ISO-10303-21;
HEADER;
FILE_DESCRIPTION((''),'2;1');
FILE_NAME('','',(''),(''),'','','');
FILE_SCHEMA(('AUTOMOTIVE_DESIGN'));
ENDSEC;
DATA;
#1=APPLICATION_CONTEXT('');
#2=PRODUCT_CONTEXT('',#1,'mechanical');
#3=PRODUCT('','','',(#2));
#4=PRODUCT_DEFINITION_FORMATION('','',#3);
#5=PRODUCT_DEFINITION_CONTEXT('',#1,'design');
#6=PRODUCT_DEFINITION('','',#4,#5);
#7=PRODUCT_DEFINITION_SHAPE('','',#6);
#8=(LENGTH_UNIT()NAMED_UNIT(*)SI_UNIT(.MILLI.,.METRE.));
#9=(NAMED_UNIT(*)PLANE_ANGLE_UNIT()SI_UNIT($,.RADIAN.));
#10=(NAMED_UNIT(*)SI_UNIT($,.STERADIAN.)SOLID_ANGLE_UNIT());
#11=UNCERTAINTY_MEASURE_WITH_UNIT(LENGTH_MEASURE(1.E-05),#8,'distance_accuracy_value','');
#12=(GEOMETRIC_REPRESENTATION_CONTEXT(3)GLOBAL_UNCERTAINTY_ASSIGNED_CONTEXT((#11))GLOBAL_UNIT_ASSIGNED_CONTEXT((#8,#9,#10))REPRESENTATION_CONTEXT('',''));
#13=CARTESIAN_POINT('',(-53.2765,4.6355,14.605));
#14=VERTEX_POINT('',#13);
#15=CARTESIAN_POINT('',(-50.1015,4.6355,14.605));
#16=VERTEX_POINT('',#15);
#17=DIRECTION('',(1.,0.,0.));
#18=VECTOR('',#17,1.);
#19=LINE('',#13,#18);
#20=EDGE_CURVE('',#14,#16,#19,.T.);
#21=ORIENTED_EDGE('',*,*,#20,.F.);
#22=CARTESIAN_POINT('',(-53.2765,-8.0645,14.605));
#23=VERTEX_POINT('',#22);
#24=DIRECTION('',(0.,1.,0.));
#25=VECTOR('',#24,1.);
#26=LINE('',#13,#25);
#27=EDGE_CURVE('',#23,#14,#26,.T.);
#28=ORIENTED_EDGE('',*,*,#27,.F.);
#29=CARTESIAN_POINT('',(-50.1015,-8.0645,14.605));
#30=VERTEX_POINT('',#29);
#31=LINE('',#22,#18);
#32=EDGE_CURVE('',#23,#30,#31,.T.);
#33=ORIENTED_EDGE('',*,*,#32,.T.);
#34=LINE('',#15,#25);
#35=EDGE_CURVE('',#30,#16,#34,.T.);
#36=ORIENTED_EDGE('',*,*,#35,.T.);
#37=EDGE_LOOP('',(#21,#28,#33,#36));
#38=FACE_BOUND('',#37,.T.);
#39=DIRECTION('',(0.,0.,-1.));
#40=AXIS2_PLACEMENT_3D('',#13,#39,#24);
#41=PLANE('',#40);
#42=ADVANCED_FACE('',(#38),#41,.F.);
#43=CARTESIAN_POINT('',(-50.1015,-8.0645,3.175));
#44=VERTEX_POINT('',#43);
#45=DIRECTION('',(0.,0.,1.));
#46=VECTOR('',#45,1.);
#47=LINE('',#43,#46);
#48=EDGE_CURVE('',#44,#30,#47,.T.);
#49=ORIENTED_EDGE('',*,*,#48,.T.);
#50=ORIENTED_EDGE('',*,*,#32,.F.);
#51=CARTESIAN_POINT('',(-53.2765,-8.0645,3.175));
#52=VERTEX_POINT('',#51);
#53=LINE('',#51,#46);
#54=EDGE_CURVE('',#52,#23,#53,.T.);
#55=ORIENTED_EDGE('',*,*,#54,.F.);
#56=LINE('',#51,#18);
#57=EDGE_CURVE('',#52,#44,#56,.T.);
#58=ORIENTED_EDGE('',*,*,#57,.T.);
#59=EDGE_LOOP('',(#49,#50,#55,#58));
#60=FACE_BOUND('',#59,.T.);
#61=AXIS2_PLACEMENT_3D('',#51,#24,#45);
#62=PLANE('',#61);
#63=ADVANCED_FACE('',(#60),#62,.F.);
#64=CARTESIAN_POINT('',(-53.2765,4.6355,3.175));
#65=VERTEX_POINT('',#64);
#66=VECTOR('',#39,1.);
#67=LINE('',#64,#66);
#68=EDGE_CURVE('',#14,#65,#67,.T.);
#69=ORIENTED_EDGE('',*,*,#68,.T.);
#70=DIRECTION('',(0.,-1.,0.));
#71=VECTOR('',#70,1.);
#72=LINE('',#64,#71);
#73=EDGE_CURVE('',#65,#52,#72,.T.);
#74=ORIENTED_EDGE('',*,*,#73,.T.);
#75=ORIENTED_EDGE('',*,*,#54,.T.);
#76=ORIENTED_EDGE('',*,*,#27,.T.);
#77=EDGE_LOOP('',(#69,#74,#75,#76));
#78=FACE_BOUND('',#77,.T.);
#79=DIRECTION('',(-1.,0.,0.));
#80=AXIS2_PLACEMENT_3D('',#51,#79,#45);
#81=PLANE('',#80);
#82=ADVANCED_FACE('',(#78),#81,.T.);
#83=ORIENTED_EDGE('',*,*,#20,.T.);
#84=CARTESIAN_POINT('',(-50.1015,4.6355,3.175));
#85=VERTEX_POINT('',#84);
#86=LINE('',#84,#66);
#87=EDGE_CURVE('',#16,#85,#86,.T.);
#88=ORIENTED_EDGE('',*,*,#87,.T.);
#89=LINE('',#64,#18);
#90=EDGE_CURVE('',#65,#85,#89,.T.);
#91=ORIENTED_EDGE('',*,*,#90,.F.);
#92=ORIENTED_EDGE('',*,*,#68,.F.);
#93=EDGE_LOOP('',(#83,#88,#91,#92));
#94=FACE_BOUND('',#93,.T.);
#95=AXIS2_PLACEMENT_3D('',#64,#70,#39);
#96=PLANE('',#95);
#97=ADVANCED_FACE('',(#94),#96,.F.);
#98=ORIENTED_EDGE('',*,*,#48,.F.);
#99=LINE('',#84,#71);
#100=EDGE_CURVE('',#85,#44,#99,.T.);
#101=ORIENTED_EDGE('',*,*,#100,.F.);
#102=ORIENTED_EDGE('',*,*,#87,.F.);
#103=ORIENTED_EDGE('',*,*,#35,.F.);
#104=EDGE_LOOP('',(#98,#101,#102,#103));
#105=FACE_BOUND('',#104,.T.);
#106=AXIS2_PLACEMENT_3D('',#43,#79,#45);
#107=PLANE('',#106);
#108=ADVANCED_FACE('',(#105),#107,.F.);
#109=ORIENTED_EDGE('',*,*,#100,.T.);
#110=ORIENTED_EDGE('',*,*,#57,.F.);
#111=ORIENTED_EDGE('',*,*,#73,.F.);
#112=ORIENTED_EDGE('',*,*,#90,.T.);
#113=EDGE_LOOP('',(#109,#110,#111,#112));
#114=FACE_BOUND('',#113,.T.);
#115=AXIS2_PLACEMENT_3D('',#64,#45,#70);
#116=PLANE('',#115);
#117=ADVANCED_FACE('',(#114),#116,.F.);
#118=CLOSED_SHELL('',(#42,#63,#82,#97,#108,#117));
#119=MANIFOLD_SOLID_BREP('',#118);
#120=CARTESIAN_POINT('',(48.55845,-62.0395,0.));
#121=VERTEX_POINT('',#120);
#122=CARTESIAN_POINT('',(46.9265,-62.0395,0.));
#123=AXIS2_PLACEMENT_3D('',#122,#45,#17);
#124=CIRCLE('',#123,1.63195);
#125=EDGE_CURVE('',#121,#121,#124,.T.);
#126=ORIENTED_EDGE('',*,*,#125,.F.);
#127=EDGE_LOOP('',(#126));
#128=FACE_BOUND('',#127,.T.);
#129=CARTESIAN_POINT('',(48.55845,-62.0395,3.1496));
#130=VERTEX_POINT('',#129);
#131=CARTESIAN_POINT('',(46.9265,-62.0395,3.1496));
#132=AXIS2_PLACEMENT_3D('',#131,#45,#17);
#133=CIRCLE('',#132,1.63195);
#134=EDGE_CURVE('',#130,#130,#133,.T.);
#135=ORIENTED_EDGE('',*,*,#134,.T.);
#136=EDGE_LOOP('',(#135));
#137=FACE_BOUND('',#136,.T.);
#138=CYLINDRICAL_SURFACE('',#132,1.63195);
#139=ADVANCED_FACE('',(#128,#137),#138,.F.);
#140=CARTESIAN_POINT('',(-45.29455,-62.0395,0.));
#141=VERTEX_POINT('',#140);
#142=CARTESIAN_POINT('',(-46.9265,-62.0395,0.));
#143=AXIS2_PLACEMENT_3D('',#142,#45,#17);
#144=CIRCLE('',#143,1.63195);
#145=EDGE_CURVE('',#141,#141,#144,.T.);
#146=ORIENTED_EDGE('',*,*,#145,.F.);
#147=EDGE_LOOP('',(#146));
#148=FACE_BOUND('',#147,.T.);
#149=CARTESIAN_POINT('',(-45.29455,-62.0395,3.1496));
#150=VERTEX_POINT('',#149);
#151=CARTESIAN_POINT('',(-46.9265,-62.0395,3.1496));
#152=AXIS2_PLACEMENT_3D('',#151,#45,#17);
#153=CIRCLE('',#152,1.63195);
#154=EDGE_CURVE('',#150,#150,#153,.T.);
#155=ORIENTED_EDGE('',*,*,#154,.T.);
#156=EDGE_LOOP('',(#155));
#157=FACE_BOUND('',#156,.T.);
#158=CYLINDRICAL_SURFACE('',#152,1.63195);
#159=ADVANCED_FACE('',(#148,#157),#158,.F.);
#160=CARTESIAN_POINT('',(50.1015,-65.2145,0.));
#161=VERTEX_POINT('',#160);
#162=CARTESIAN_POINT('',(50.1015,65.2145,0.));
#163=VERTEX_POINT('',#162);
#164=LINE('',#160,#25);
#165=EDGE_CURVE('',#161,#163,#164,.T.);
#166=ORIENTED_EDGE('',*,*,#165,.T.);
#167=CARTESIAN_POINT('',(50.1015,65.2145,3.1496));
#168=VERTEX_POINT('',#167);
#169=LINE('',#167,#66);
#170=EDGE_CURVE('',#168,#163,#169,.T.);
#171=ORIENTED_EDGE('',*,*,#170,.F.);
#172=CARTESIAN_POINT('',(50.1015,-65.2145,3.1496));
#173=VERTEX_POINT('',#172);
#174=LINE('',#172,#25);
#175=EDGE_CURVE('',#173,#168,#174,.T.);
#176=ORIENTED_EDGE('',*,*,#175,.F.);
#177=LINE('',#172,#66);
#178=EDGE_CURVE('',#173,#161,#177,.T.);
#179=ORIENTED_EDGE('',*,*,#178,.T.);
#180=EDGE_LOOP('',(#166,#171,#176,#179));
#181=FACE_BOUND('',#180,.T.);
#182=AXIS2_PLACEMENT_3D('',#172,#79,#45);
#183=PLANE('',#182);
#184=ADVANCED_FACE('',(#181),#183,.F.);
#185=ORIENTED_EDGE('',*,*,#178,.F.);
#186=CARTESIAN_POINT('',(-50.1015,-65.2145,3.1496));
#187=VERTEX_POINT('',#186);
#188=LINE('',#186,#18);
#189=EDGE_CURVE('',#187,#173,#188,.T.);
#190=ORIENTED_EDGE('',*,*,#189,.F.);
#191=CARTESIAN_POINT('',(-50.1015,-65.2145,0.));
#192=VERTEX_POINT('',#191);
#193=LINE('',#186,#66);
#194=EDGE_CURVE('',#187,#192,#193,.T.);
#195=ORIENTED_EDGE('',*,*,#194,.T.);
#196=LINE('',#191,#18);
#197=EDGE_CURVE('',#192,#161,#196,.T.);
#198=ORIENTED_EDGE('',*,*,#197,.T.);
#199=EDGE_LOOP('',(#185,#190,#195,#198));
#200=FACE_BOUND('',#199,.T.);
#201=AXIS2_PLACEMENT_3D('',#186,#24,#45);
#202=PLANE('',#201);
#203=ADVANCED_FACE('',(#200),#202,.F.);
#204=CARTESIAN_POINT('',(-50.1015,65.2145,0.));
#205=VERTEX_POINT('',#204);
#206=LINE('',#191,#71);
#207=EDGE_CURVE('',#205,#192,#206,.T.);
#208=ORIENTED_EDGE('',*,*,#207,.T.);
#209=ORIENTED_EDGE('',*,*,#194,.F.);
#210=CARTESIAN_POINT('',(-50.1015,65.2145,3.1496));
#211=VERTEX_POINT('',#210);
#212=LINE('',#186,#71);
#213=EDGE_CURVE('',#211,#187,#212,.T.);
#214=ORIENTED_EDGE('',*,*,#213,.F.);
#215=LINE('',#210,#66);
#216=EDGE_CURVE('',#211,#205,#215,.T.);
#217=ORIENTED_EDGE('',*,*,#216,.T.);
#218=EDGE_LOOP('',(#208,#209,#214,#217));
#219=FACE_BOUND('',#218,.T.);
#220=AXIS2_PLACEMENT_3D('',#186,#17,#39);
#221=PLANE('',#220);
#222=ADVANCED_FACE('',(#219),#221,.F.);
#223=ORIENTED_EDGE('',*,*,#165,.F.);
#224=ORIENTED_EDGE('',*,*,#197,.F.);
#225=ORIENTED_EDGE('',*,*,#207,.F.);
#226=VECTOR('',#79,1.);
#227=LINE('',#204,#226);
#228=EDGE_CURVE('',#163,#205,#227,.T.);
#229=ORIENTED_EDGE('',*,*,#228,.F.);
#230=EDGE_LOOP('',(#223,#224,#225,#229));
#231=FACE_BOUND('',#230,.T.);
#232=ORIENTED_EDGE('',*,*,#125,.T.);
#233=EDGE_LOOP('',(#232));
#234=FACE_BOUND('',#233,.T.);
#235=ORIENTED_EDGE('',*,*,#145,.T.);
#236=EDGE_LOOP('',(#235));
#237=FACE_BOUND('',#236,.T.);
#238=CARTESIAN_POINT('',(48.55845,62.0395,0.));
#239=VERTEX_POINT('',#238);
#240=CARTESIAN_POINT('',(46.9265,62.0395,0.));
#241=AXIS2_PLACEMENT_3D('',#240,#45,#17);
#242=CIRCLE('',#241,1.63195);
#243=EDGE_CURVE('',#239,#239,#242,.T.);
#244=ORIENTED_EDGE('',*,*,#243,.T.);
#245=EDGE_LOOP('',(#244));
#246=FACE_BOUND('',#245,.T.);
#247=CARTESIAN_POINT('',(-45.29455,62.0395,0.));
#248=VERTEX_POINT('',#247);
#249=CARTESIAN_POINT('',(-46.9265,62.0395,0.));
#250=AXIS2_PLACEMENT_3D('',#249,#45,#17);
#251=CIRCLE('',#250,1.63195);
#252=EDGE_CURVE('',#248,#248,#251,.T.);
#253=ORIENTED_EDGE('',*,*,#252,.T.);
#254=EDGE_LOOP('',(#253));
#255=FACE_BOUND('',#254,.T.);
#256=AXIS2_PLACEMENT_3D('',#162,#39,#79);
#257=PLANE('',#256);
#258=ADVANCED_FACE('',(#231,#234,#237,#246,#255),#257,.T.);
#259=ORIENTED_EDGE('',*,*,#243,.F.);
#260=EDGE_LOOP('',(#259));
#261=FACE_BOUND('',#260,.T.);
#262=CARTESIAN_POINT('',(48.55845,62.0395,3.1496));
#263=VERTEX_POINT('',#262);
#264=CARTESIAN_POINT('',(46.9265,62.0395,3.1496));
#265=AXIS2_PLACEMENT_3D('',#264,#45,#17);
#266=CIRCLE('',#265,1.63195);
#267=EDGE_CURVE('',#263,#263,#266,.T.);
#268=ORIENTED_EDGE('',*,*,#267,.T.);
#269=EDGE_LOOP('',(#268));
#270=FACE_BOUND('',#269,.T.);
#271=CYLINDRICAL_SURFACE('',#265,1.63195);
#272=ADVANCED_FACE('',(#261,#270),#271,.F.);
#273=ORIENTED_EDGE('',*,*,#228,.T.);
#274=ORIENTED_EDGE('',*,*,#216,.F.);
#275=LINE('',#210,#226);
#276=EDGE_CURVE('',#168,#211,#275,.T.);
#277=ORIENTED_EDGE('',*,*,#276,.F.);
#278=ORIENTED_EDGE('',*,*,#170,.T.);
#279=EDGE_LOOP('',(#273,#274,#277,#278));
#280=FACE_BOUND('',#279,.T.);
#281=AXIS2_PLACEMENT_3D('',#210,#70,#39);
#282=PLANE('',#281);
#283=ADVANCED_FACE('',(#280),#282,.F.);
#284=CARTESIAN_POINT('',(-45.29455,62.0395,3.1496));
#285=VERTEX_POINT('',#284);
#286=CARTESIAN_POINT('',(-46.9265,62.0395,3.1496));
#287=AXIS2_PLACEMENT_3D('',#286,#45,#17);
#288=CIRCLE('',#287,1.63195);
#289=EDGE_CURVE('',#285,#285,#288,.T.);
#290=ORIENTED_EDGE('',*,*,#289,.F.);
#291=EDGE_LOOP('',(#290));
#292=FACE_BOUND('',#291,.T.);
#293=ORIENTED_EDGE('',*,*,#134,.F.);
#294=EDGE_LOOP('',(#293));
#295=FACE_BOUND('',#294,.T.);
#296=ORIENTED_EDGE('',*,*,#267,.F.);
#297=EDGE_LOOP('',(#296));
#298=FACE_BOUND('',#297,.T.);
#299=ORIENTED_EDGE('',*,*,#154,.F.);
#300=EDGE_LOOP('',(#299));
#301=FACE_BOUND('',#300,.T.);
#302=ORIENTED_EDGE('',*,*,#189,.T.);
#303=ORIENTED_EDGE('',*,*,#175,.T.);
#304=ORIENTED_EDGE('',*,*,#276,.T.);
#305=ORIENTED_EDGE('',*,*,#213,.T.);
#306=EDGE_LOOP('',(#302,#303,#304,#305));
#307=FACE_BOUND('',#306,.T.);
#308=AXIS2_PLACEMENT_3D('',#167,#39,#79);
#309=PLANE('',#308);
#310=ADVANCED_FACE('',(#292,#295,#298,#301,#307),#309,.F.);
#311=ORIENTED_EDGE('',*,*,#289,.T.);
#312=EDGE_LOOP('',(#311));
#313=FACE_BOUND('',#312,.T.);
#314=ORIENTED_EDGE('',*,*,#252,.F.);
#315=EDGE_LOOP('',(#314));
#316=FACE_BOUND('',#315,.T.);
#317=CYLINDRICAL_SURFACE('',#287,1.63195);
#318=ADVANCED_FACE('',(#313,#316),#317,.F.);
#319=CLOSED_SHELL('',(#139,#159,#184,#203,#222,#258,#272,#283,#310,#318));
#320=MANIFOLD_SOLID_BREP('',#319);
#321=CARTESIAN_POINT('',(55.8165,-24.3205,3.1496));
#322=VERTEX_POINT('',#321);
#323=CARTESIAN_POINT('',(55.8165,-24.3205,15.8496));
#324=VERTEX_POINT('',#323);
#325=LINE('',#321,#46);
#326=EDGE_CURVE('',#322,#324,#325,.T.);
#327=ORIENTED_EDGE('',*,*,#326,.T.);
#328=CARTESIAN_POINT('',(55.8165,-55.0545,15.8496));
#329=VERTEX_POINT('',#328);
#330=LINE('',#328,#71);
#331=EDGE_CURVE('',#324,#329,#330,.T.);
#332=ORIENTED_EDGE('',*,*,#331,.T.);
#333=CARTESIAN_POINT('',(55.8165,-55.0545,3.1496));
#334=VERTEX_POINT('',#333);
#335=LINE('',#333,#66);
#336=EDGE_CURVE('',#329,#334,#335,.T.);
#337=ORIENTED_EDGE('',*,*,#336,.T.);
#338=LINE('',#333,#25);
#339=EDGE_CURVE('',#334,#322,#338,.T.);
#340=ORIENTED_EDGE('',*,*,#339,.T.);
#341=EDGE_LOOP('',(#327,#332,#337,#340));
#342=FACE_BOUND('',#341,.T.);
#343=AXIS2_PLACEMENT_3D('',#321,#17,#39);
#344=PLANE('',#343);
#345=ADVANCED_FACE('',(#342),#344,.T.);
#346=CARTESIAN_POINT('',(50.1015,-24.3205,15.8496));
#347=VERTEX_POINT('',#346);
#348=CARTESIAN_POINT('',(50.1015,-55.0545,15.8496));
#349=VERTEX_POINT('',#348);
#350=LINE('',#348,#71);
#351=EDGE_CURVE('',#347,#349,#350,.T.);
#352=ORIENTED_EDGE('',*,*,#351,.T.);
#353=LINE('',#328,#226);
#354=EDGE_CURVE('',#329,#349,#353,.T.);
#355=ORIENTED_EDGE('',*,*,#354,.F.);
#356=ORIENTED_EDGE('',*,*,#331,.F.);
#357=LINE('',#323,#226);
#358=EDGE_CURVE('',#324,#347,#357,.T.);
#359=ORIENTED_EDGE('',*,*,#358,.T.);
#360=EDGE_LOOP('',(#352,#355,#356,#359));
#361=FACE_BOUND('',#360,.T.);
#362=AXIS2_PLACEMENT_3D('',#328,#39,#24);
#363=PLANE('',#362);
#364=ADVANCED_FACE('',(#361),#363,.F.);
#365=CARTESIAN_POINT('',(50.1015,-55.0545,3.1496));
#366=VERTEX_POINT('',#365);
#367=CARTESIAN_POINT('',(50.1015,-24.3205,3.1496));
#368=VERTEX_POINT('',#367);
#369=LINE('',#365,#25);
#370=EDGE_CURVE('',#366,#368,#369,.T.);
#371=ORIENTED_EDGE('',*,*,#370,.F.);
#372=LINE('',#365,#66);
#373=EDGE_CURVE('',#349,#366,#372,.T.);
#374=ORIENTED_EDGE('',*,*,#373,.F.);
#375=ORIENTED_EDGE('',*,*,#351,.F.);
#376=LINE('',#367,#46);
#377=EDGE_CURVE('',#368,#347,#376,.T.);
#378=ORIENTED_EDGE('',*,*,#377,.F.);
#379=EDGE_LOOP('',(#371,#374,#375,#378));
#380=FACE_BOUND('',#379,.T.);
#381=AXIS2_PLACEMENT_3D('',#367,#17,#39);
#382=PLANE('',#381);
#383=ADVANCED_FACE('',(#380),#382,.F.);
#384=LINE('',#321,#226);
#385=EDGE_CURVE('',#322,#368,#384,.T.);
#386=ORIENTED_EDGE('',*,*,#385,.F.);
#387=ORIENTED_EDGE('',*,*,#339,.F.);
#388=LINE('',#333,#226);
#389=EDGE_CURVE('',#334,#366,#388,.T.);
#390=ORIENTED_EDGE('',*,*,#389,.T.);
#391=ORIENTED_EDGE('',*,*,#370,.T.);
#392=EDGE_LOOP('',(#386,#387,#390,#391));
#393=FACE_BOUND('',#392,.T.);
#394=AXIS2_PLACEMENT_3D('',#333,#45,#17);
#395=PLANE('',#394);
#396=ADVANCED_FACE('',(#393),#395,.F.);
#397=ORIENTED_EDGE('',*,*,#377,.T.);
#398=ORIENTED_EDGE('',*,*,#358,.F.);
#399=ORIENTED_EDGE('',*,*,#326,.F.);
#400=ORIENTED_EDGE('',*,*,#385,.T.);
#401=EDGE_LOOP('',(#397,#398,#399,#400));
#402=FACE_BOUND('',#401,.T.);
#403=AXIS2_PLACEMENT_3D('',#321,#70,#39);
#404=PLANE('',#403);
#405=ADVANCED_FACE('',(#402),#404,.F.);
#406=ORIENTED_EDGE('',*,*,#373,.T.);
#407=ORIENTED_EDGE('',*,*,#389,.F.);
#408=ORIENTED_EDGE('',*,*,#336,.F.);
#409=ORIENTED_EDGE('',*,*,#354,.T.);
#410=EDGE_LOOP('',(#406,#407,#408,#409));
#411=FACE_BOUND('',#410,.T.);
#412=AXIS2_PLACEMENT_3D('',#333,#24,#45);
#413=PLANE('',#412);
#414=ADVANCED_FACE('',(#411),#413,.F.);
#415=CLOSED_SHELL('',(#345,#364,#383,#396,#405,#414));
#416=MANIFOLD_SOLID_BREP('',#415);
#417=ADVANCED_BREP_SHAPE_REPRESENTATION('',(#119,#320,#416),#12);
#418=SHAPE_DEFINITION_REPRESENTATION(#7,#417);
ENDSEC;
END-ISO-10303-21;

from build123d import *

# Parameters (mm, degrees)
SKETCH1_W                      = 100.203
SKETCH1_H                      = 130.429
EXTRUDE1_DEPTH                 = 3.1496
SKETCH3_W                      = 11.43
SKETCH3_H                      = 12.7
EXTRUDE3_DEPTH                 = 3.175
SKETCH6_W                      = 12.7
SKETCH6_H                      = 30.734
EXTRUDE4_DEPTH                 = 5.715
SKETCH5_W                      = 1.63195
SKETCH5_H                      = 3.1496
F_4_CLEARANCE_HOLE1_AT_2_COUNT = 2
F_4_CLEARANCE_HOLE1_AT_2_PITCH = 124.079
MIRROR1_COPY_1_SKETCH_W        = 1.63195
MIRROR1_COPY_1_SKETCH_H        = 3.1496


with BuildPart() as part:
    # Sketch1 → Extrude1 (new body)
    with BuildSketch(Plane.XY):
        Rectangle(SKETCH1_W, SKETCH1_H)
    extrude(amount=EXTRUDE1_DEPTH)

    # Sketch5 → #4 Clearance Hole1 (revolve, cut)
    with BuildSketch(Plane(origin=(-46.9265, 62.0395, 3.1496), x_dir=(0, -1, 0), z_dir=(1, 0, 0))):
        with Locations((0.815975, 1.5748)):
            Rectangle(SKETCH5_W, SKETCH5_H)
    f_4_clearance_hole1 = revolve(axis=Axis((-46.9265, 62.0395, 9.4996), (0, 0, -1)), mode=Mode.SUBTRACT)

    # #4 Clearance Hole1 at 2: #4 Clearance Hole1 ×2
    with Locations(*[(0, -i * F_4_CLEARANCE_HOLE1_AT_2_PITCH, 0) for i in range(1, F_4_CLEARANCE_HOLE1_AT_2_COUNT)]):
        add(f_4_clearance_hole1, mode=Mode.SUBTRACT)

    # Mirror1: #4 Clearance Hole1 across plane
    add(f_4_clearance_hole1.mirror(Plane(origin=(0, 0, 0), x_dir=(0, 0, 1), z_dir=(1, 0, 0))), mode=Mode.SUBTRACT)

    # Mirror1 copy 1 sketch → Mirror1 copy 1 (revolve, cut)
    with BuildSketch(Plane(origin=(46.9265, -62.0395, 3.1496), x_dir=(0, -1, 0), z_dir=(-1, 0, 0))):
        with Locations((0.815975, -1.5748)):
            Rectangle(MIRROR1_COPY_1_SKETCH_W, MIRROR1_COPY_1_SKETCH_H)
    revolve(axis=Axis((46.9265, -62.0395, 9.4996), (0, 0, 1)), mode=Mode.SUBTRACT)


with BuildPart() as body_2:
    # Sketch3 → Extrude3 (new body)
    with BuildSketch(Plane.ZY.offset(50.1015)):
        with Locations((8.89, -1.7145)):
            Rectangle(SKETCH3_W, SKETCH3_H)
    extrude(amount=EXTRUDE3_DEPTH)


with BuildPart() as body_3:
    # Sketch6 → Extrude4 (new body)
    with BuildSketch(Plane(origin=(50.1015, 0, 0), x_dir=(0, 0, -1), z_dir=(1, 0, 0))):
        with Locations((-9.4996, -39.6875)):
            Rectangle(SKETCH6_W, SKETCH6_H)
    extrude(amount=EXTRUDE4_DEPTH)


solid = Compound([part.part, body_2.part, body_3.part])
